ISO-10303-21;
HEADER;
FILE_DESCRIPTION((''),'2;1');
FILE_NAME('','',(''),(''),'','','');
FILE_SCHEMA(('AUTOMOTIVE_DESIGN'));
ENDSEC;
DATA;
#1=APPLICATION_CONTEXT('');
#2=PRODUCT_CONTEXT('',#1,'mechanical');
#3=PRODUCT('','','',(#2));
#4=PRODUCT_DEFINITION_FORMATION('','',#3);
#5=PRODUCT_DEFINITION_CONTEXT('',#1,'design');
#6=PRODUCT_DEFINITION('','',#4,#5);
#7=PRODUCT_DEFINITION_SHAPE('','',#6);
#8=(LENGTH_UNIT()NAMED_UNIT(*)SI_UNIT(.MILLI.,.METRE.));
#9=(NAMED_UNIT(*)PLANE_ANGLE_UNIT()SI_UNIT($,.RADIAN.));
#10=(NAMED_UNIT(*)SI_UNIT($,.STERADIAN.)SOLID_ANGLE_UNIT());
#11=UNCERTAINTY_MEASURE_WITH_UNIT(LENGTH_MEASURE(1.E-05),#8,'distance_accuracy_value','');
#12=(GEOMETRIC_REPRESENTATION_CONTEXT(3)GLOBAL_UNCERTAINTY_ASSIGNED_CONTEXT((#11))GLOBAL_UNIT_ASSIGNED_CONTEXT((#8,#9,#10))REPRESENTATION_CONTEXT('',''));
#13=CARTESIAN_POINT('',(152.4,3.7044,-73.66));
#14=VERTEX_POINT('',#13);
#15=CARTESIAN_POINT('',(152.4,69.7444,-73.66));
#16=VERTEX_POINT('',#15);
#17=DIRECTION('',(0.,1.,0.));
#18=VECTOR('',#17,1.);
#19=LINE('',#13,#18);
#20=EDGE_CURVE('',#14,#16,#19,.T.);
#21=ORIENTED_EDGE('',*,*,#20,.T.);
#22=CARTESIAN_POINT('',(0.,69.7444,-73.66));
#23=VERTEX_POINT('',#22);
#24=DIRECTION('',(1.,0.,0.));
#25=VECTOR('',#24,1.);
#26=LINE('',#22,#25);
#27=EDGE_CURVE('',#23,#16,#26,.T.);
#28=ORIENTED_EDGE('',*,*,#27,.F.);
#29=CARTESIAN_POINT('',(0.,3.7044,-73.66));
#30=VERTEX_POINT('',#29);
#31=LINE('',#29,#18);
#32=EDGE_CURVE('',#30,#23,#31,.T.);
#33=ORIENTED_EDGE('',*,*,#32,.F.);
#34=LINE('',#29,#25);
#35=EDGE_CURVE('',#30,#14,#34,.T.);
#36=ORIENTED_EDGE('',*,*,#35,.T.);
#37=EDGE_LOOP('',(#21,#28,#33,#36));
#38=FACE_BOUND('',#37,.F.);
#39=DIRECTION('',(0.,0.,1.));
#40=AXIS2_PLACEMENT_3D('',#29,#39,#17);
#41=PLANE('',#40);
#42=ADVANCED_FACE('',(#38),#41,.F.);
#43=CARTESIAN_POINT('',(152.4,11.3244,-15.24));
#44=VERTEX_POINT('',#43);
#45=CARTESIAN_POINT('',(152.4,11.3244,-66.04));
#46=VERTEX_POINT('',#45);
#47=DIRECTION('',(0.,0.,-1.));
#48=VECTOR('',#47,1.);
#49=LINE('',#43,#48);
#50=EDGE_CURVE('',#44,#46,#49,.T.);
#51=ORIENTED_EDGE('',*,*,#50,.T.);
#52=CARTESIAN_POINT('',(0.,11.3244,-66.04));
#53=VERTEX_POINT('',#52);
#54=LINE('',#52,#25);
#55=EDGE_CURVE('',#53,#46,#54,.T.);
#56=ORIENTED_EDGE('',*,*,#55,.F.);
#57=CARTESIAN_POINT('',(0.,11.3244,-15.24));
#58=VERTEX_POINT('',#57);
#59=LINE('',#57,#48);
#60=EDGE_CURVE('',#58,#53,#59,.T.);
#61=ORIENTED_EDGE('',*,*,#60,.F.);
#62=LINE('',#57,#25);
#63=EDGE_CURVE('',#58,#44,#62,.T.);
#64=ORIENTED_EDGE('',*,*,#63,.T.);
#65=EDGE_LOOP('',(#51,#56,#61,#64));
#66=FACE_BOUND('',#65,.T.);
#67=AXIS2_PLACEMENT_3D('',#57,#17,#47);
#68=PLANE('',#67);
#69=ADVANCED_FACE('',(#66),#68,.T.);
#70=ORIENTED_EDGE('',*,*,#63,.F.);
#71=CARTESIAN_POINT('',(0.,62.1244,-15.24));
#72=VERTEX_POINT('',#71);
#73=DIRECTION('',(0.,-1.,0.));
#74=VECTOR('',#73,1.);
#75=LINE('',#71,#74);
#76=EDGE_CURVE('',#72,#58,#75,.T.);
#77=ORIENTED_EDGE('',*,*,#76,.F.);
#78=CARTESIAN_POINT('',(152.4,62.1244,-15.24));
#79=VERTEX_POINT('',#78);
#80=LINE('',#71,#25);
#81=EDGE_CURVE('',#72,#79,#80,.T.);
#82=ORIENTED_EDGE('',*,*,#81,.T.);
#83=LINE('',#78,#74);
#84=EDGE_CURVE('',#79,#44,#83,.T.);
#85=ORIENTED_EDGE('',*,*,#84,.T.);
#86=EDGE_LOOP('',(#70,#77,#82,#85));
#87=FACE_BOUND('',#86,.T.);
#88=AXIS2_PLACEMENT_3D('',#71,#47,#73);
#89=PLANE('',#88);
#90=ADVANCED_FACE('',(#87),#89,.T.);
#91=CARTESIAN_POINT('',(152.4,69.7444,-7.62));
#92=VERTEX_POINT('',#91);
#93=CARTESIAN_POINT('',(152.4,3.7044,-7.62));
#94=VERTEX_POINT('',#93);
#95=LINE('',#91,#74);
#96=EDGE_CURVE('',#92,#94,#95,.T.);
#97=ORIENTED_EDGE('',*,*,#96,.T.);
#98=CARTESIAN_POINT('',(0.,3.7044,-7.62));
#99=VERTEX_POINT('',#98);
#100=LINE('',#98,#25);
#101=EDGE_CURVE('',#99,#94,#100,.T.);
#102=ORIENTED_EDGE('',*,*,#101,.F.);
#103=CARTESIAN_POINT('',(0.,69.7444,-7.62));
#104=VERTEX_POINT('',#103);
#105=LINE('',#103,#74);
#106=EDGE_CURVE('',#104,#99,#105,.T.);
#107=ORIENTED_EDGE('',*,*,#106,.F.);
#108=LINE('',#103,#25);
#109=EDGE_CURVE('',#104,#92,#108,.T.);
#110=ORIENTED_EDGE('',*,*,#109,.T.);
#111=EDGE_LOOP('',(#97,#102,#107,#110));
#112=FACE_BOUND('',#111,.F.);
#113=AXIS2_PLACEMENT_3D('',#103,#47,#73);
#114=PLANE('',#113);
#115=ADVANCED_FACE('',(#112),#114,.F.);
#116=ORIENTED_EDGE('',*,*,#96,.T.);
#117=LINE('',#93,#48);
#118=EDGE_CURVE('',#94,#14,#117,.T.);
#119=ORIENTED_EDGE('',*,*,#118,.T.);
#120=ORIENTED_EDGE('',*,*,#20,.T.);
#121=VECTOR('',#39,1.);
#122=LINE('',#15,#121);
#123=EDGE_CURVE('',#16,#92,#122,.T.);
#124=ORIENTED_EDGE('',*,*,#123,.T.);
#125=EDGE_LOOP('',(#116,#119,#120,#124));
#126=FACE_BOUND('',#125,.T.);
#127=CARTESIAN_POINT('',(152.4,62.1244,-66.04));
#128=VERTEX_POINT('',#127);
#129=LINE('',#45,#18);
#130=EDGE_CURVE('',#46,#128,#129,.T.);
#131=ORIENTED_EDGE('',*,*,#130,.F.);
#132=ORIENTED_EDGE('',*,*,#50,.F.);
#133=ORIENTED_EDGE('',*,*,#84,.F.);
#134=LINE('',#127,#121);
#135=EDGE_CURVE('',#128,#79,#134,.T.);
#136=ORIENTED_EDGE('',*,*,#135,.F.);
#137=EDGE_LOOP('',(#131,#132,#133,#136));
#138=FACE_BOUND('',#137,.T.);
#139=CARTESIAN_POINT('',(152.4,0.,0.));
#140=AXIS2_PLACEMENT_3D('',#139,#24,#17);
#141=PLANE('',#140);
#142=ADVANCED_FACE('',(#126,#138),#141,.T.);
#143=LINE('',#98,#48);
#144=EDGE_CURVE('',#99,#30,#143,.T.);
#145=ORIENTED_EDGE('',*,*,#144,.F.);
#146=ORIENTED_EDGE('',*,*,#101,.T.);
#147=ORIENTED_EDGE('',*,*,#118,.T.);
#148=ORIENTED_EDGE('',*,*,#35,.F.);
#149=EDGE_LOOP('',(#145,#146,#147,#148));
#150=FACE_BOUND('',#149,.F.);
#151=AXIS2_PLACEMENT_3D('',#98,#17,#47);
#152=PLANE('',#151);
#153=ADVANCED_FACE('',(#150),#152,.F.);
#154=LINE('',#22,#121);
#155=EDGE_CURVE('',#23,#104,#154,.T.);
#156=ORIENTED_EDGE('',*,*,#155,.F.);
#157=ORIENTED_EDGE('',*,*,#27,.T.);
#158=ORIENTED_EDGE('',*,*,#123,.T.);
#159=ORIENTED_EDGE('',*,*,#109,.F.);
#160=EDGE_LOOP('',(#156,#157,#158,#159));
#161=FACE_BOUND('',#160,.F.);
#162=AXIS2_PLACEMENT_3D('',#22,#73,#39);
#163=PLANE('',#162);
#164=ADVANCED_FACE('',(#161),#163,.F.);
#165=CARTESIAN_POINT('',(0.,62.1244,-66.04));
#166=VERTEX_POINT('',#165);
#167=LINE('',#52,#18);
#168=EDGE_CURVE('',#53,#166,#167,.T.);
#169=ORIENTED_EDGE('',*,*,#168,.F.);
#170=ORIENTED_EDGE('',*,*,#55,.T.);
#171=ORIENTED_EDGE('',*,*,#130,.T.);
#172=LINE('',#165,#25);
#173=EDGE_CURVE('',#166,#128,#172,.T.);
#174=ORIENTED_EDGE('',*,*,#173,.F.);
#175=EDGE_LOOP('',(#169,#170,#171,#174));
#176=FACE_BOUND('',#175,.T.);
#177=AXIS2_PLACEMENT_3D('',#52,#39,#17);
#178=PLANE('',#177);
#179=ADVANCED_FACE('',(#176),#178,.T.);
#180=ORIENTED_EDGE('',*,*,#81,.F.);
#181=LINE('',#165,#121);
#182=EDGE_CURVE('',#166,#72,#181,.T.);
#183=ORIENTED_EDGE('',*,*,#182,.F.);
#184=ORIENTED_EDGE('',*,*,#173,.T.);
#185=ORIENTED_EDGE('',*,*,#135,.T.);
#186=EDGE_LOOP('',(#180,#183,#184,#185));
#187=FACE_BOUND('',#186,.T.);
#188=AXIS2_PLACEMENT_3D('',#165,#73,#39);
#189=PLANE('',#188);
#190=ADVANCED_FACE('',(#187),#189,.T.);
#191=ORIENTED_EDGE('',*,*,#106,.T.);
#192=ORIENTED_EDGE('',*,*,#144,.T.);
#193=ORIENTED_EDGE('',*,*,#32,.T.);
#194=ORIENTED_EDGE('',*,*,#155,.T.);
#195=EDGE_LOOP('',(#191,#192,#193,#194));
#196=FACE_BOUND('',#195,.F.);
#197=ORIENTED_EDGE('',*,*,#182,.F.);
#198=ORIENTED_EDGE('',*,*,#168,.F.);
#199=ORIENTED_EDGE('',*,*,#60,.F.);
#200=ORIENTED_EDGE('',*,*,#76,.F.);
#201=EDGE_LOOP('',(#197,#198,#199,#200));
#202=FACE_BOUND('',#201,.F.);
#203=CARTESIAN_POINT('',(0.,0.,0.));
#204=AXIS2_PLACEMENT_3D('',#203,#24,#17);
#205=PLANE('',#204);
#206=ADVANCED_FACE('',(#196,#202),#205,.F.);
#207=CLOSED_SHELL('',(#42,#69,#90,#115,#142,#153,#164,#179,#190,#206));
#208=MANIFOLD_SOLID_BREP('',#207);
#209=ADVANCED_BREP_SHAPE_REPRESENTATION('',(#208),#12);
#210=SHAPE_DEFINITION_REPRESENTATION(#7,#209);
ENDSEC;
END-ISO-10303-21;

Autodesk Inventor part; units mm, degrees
ref_plane "YZ Plane" through (0, 0, 0) normal (1, 0, 0) x (0, 1, 0)
ref_plane "XZ Plane" through (0, 0, 0) normal (0, 1, 0) x (-1, 0, 0)
ref_plane "XY Plane" through (0, 0, 0) normal (0, 0, 1) x (1, 0, 0)
sketch "Sketch1" plane through (0, 0, 0) normal (1, 0, 0) x (0, 1, 0)
  line L0 (62.1244, -15.24) -> (11.3244, -15.24)
  line L1 (11.3244, -15.24) -> (11.3244, -66.04)
  line L2 (11.3244, -66.04) -> (62.1244, -66.04)
  line L3 (62.1244, -66.04) -> (62.1244, -15.24)
  line L4 (69.7444, -7.62) -> (3.7044, -7.62)
  line L5 (3.7044, -7.62) -> (3.7044, -73.66)
  line L6 (3.7044, -73.66) -> (69.7444, -73.66)
  line L7 (69.7444, -73.66) -> (69.7444, -7.62)
  point P0 (0, 0)
  dimension "d0" = 50.8
  dimension "d1" = 50.8
  dimension "d2" = 7.62
extrude "Extrusion1" add sketch "Sketch1" along normal blind 152.4
properties part number "Aluminum box 2x2x6 .3 thickness"
